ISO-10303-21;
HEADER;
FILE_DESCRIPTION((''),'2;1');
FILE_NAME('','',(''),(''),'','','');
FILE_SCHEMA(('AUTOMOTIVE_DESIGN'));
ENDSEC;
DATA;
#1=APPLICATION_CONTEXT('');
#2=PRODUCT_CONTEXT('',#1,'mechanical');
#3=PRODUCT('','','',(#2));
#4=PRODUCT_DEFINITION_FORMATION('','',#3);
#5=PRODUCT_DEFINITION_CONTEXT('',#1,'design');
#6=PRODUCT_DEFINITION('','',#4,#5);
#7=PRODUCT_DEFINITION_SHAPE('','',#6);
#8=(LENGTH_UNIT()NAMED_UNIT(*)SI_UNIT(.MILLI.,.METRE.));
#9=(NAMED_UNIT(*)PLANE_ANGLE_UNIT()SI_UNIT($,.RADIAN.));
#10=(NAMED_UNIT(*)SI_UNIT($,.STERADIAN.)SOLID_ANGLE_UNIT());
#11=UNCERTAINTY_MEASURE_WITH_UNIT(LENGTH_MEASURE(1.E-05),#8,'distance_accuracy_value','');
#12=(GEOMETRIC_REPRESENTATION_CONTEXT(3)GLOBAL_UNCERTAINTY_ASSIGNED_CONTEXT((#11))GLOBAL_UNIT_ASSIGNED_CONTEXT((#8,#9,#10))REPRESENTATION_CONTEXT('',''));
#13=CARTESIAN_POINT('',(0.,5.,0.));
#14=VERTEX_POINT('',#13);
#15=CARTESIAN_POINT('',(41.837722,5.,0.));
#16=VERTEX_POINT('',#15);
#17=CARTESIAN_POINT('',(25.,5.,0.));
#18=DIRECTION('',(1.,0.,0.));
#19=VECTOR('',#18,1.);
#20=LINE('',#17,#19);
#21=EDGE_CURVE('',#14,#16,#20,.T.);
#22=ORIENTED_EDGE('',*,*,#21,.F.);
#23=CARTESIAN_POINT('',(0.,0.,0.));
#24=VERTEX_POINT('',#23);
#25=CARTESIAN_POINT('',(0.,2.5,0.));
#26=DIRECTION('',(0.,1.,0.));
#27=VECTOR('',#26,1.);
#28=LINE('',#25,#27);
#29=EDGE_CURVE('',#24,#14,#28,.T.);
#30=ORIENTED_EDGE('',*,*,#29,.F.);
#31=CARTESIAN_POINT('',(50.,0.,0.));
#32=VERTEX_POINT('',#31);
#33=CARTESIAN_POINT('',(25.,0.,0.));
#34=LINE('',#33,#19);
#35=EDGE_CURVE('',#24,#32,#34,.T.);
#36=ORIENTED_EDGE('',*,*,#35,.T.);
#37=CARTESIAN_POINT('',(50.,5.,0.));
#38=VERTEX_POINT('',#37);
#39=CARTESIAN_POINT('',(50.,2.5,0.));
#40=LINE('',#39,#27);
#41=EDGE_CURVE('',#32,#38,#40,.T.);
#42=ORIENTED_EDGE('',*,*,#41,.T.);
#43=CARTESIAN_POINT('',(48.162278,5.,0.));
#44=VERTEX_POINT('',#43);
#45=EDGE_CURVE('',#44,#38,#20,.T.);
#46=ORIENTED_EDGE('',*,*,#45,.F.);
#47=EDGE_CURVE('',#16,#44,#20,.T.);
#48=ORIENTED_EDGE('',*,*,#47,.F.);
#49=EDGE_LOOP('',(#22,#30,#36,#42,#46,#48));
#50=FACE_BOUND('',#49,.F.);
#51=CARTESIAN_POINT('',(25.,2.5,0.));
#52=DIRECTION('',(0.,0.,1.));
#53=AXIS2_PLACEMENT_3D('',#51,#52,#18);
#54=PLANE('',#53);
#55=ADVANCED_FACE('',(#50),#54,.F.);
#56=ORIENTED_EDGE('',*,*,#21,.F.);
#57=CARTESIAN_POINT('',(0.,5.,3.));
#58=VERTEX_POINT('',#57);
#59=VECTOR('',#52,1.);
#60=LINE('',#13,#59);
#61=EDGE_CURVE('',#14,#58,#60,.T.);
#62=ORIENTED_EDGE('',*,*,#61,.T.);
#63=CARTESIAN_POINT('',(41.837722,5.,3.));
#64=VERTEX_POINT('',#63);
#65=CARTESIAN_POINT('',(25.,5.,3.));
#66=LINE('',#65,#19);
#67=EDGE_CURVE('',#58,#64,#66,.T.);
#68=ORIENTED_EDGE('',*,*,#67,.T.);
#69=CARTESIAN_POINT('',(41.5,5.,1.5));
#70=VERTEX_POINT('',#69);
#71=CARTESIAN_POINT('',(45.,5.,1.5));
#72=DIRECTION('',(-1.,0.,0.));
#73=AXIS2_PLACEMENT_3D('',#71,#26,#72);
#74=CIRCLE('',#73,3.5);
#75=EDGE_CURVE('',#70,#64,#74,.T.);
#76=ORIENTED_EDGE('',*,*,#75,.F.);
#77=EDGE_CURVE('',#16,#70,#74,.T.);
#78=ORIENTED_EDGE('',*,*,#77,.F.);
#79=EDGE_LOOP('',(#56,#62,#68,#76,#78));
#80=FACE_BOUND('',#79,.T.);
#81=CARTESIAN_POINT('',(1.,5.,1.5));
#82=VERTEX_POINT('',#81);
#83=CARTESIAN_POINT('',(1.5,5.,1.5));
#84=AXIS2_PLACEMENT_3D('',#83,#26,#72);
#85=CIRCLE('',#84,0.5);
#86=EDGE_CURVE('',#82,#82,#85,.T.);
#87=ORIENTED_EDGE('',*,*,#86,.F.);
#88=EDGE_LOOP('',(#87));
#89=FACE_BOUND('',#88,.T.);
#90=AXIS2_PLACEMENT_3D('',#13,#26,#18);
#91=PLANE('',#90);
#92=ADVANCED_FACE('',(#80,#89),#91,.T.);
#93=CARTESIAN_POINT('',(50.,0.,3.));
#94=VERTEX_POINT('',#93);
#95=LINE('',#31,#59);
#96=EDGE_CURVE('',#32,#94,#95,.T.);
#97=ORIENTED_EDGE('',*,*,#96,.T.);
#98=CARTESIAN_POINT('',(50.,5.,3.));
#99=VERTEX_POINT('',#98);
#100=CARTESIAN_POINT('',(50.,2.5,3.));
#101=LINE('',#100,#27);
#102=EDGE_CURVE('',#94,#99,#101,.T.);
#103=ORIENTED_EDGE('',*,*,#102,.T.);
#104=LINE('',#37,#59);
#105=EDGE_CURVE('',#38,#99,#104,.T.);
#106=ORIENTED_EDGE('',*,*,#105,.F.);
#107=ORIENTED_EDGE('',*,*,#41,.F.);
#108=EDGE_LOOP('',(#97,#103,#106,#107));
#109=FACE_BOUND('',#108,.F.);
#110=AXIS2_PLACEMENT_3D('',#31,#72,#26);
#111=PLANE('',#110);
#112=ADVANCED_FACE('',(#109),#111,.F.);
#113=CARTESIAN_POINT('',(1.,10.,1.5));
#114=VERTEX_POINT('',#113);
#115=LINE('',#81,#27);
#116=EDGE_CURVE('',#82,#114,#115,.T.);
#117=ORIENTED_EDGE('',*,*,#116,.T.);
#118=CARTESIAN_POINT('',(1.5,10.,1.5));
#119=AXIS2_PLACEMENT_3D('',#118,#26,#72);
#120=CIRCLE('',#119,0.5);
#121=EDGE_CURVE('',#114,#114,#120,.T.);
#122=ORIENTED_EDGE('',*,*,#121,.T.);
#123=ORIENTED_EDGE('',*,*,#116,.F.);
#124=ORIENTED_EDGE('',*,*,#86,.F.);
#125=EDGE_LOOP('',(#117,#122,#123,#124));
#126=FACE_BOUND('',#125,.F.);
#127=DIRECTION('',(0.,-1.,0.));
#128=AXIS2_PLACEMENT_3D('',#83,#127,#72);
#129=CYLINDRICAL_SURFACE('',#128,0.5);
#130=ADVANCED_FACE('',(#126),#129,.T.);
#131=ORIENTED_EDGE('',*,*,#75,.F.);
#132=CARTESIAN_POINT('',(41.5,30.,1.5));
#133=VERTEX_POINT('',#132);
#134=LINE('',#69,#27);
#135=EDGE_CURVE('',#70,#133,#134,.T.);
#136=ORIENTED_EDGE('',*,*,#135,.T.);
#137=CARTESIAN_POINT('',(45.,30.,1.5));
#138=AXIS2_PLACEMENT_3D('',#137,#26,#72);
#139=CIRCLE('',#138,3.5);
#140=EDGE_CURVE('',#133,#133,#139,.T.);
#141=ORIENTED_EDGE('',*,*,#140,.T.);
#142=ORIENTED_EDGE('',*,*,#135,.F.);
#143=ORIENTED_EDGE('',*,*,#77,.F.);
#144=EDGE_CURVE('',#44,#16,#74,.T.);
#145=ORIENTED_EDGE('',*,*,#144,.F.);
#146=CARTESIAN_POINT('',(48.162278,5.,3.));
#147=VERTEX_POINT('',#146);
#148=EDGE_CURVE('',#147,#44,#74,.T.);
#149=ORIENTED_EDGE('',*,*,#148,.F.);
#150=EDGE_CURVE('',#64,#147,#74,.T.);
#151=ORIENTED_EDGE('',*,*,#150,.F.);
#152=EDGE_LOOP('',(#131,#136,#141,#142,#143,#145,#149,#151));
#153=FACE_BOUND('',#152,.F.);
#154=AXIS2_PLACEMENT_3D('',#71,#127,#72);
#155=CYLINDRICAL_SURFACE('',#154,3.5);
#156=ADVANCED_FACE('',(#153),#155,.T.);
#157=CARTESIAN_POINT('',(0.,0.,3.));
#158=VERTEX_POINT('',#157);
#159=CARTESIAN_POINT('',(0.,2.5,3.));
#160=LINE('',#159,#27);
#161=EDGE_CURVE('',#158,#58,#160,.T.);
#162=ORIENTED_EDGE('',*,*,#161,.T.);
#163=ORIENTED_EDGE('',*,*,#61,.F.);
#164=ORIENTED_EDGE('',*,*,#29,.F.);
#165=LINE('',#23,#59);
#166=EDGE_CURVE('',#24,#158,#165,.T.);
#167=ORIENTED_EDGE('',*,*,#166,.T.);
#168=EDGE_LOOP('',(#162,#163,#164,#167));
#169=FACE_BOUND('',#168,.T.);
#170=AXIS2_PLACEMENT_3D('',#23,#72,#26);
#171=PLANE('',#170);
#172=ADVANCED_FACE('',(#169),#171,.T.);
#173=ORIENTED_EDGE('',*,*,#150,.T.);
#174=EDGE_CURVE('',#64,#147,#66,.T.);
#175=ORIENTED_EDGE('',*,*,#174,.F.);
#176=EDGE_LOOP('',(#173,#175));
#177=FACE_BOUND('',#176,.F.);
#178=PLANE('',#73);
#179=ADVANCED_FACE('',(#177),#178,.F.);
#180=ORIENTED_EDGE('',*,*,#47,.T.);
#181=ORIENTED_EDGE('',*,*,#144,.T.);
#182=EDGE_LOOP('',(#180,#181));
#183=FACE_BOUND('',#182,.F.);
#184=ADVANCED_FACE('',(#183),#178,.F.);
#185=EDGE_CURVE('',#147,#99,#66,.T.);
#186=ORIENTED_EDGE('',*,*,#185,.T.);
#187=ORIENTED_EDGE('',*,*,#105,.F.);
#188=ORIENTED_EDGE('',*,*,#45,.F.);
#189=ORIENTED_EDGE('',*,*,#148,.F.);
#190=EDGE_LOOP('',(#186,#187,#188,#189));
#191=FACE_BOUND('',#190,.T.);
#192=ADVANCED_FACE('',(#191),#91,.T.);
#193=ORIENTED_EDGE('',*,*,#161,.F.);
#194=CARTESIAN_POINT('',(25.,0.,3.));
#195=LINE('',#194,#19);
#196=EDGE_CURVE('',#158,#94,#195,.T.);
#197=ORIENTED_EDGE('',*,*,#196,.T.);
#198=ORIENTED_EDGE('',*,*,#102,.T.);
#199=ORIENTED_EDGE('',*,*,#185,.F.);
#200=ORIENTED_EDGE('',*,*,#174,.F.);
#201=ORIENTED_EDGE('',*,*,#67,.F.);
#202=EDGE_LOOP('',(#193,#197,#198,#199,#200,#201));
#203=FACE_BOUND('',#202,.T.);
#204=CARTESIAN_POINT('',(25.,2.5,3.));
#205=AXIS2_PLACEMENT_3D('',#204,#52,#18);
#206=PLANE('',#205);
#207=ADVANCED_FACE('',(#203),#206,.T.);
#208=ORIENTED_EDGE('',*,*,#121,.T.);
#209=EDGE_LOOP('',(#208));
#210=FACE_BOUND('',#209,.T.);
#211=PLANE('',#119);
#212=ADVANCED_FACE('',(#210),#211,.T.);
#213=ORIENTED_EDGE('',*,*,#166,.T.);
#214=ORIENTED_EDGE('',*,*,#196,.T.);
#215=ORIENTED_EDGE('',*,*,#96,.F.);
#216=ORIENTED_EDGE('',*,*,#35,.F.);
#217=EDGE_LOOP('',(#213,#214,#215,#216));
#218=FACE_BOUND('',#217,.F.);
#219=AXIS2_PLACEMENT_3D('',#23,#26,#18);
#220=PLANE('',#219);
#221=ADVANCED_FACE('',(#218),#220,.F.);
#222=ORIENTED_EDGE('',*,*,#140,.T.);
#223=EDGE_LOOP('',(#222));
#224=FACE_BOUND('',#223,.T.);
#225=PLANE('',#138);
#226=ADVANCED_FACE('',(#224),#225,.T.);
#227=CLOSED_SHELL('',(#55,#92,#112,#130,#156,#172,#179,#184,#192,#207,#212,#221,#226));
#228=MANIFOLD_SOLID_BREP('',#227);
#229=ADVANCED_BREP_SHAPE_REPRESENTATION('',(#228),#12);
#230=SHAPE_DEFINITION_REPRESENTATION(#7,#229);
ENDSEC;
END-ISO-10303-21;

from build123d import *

# Parameters (mm, degrees)
F0_W     = 50
F0_H     = 5
F1_DEPTH = 3
F2_R     = 0.5
F3_DEPTH = 5
F4_R     = 3.5
F5_DEPTH = 25


with BuildPart() as f1:
    # F0 (on Top) → F1 (new body)
    with BuildSketch(Plane.XY):
        with Locations((25, 2.5)):
            Rectangle(F0_W, F0_H)
    extrude(amount=F1_DEPTH)

    # F2 (on face) → F3 (join)
    with BuildSketch(Plane(origin=(0, 5, 0), x_dir=(-1, 0, 0), z_dir=(0, 1, 0))):
        with Locations((-1.5, 1.5)):
            Circle(F2_R)
    extrude(amount=F3_DEPTH)

    # F4 (on face) → F5 (join)
    with BuildSketch(Plane(origin=(0, 5, 0), x_dir=(-1, 0, 0), z_dir=(0, 1, 0))):
        with Locations((-45, 1.5)):
            Circle(F4_R)
    extrude(amount=F5_DEPTH)


solid = f1.part
